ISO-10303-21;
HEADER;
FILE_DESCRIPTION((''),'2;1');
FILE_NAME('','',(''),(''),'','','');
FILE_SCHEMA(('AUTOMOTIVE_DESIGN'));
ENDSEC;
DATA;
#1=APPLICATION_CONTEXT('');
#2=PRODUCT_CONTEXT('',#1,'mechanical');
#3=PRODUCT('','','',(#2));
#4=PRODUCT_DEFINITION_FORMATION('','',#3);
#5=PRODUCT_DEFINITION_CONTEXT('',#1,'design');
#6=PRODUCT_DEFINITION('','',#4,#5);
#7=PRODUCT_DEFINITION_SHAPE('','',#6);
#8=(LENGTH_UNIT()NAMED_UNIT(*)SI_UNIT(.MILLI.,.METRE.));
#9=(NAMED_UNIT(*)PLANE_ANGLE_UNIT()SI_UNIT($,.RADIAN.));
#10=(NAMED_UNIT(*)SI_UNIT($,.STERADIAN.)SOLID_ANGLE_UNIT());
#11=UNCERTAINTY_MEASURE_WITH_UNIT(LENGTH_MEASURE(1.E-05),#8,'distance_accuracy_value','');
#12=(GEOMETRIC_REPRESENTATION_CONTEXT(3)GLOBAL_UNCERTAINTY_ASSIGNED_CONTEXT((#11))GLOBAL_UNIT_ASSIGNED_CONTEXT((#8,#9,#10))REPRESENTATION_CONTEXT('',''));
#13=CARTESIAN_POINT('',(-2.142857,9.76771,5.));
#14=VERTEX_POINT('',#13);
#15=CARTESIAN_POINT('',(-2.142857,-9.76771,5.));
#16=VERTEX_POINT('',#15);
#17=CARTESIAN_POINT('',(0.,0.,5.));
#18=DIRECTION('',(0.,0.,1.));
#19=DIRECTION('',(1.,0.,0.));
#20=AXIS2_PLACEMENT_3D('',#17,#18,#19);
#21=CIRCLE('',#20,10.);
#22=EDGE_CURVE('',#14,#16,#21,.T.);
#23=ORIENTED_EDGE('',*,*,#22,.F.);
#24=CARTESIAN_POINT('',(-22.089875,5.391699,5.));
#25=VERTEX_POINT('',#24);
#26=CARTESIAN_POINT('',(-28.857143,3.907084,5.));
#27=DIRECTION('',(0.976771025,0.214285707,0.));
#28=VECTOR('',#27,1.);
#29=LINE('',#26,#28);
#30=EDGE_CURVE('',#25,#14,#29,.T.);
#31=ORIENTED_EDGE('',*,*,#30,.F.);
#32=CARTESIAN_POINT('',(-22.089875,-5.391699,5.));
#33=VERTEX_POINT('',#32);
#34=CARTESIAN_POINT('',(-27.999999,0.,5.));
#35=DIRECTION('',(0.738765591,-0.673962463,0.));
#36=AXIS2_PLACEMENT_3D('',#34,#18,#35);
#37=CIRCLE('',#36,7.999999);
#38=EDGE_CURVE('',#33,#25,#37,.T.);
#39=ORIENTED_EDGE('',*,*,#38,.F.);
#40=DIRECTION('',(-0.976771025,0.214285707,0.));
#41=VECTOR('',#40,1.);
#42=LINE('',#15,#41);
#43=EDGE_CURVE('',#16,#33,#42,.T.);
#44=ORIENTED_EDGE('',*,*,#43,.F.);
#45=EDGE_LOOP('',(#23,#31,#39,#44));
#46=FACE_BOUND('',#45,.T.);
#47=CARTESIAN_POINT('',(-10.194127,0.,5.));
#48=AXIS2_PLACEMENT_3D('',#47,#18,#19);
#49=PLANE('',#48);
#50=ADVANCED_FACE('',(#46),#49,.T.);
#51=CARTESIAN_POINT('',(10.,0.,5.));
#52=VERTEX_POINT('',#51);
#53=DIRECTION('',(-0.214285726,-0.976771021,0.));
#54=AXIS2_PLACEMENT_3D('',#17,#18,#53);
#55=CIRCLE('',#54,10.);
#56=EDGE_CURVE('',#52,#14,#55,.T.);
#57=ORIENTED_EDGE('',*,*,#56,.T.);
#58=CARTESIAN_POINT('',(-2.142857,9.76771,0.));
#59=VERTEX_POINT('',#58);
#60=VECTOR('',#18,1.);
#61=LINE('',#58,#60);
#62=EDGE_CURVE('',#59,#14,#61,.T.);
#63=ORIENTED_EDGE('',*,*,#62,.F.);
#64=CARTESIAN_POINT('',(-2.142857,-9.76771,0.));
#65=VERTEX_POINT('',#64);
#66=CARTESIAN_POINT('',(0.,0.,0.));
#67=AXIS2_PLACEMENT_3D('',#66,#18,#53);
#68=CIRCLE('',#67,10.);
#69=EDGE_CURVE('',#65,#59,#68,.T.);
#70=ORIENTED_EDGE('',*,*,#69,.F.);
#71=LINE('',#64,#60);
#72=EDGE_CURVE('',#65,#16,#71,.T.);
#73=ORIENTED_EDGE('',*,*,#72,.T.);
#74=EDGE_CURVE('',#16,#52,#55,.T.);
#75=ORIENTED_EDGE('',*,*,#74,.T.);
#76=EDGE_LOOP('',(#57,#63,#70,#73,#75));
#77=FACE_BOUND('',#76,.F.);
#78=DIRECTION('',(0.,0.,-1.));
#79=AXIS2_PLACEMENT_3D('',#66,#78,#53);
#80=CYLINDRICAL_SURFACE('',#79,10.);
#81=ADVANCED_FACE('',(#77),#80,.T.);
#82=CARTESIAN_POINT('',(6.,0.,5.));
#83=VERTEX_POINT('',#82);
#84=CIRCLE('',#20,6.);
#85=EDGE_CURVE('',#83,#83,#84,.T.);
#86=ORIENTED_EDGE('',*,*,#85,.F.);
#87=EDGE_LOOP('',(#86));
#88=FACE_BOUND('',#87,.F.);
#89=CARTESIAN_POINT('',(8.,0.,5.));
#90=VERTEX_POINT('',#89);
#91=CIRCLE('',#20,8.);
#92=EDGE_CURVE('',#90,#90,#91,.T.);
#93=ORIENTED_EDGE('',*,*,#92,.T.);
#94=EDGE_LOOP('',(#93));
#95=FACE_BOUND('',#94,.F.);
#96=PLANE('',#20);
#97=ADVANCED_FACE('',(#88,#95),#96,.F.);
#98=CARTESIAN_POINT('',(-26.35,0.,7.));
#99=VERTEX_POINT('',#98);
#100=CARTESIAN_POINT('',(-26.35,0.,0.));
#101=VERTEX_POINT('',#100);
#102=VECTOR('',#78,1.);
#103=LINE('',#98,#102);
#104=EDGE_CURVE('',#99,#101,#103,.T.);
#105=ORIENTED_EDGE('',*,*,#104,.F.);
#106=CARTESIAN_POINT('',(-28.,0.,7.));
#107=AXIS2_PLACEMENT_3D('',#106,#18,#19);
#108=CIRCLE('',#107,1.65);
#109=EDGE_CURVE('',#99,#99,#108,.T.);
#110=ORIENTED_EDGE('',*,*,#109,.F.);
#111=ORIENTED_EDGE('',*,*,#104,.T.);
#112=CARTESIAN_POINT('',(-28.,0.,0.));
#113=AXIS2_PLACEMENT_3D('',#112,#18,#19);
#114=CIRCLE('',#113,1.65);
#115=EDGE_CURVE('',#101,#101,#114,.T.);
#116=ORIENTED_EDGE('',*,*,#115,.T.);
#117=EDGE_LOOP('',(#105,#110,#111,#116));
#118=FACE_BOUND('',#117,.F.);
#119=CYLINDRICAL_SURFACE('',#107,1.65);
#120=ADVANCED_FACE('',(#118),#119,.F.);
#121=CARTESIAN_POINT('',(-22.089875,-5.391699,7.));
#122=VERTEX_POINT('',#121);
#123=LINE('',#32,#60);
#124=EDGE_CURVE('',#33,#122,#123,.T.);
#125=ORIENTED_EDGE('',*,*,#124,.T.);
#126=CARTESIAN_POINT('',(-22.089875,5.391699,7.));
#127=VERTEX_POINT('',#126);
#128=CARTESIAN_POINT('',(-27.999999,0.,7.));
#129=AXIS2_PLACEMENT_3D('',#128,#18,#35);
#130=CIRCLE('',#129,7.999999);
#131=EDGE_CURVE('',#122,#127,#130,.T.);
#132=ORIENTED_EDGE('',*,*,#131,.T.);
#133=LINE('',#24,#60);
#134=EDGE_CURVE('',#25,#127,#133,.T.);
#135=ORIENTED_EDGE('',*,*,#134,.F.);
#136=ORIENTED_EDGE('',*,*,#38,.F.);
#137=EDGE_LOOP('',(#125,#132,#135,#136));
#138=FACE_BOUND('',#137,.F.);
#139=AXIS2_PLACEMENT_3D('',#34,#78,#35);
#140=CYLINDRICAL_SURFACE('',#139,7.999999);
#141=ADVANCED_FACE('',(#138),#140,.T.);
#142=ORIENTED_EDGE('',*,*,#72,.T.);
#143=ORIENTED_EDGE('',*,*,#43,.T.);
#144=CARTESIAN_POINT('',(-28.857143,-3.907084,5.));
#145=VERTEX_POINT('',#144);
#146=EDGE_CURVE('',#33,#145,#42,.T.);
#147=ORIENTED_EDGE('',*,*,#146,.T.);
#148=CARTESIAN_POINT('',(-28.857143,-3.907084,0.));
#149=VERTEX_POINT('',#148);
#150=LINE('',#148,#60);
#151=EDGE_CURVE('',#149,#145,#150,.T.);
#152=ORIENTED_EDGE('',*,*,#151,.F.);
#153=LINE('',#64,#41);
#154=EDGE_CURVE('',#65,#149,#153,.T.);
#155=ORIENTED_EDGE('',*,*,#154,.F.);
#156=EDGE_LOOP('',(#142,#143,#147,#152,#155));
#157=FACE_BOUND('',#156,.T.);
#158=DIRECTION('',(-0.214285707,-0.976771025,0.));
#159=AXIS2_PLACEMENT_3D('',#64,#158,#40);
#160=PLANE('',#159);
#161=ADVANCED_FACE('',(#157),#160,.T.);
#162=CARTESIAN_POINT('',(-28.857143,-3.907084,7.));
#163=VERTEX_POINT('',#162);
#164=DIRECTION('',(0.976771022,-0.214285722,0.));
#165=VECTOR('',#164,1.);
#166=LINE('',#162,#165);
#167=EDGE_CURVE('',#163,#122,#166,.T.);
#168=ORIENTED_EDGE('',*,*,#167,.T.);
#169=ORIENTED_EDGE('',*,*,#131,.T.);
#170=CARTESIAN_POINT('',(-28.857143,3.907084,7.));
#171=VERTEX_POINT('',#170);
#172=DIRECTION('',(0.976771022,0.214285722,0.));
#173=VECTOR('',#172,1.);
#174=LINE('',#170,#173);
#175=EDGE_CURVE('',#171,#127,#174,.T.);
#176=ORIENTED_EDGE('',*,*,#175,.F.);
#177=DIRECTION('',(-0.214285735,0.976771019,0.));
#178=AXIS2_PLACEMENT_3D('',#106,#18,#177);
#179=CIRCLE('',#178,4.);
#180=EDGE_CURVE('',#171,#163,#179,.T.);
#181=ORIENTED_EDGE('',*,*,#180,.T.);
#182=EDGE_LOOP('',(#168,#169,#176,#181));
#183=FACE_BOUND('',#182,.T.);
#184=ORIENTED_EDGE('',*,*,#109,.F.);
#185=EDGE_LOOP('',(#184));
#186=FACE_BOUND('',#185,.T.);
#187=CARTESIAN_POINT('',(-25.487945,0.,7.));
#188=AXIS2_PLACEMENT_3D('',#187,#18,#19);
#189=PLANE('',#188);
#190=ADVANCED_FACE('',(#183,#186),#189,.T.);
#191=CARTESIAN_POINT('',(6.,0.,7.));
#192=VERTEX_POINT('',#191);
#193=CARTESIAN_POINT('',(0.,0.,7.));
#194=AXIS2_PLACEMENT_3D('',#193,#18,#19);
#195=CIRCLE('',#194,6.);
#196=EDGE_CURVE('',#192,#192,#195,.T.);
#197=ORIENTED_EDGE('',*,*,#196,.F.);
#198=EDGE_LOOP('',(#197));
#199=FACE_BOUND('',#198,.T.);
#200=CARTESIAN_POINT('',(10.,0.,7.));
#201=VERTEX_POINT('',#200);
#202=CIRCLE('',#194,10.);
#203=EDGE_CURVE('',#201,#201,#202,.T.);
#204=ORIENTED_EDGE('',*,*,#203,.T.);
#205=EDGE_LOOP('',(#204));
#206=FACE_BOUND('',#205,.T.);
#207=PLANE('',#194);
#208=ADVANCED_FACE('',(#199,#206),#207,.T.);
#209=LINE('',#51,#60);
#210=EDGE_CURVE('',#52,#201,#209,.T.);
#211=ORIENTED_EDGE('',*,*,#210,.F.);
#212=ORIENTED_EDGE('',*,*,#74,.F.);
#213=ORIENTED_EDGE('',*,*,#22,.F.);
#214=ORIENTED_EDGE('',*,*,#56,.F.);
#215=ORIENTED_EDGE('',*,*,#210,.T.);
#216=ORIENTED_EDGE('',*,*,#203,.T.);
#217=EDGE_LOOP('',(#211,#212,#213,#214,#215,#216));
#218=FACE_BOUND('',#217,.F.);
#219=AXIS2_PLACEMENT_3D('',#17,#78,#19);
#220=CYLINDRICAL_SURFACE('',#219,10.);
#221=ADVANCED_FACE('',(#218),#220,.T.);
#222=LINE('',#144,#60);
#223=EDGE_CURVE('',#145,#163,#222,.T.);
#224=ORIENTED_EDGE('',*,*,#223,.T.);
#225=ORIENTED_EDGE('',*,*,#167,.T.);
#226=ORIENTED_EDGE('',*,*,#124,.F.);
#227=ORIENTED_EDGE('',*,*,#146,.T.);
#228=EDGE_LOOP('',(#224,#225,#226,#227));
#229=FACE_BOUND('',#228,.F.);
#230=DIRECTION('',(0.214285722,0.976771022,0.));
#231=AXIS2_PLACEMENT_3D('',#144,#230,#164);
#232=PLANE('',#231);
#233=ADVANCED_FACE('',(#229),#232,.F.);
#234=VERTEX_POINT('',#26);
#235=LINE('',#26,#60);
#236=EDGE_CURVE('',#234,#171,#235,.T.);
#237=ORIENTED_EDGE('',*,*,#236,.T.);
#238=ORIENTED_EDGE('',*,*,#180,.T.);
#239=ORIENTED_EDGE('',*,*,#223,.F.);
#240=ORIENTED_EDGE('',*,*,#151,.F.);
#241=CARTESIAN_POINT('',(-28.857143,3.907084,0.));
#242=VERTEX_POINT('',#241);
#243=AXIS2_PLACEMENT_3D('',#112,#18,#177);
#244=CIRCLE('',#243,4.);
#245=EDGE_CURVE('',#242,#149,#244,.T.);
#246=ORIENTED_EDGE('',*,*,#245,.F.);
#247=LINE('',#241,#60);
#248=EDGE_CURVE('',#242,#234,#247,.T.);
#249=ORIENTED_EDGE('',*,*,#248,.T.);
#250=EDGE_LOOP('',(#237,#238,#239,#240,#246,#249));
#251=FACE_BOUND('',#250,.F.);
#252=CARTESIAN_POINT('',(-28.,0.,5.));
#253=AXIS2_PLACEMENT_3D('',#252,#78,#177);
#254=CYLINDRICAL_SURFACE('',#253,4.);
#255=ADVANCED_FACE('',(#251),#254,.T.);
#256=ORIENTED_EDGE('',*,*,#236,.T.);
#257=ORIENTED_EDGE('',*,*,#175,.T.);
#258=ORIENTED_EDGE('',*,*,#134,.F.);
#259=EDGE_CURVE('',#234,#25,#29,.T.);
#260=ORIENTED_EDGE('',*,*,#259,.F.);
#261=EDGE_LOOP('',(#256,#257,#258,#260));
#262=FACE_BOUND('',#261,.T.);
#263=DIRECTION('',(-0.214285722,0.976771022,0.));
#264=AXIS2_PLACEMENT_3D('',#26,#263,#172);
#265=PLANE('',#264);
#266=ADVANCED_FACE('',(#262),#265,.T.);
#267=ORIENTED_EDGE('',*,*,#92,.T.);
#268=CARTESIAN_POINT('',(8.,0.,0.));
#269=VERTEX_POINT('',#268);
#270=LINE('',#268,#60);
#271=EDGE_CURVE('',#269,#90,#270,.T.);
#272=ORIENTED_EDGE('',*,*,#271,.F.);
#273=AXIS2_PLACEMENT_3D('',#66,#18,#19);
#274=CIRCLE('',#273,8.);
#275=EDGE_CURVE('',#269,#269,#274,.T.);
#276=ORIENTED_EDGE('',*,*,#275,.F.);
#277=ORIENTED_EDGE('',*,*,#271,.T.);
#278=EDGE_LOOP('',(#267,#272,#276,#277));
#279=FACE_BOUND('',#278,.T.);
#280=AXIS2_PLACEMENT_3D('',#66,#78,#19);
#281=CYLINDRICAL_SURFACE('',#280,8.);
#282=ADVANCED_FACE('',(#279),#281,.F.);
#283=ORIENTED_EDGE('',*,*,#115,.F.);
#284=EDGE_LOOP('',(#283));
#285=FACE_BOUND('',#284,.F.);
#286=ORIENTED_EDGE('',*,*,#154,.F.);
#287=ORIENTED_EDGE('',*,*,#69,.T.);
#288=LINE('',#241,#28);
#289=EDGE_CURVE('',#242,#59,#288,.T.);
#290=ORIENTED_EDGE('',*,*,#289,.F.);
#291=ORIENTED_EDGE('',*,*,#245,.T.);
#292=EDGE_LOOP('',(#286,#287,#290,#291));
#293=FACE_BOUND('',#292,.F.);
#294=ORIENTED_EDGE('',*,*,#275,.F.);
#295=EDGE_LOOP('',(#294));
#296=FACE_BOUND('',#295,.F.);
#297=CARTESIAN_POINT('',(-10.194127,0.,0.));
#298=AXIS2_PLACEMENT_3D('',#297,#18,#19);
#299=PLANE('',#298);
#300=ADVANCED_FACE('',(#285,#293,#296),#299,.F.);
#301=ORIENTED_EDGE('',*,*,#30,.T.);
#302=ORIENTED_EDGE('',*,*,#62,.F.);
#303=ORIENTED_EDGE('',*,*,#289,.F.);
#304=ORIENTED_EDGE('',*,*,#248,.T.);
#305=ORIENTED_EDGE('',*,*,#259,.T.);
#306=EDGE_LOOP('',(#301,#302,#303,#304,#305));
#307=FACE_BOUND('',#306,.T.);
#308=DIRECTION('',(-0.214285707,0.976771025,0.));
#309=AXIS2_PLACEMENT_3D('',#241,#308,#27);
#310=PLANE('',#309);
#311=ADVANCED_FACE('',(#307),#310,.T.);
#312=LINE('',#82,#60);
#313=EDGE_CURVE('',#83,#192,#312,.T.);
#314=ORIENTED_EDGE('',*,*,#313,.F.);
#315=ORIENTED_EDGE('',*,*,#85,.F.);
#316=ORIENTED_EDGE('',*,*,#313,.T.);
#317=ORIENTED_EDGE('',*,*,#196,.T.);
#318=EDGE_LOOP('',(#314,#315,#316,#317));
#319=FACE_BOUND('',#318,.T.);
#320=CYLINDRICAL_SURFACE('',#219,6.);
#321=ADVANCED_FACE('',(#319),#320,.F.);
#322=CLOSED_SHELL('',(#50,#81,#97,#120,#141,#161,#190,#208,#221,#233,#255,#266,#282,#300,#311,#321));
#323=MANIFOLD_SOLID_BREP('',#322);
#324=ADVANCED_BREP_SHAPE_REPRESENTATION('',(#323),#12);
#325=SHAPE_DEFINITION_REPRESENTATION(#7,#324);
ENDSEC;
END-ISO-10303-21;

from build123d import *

# Parameters (mm, degrees)
SKETCH_R      = 8
PAD_DEPTH     = 5
SKETCH001_R   = 10
SKETCH001_R_2 = 6
PAD001_DEPTH  = 2
PAD002_DEPTH  = 2
SKETCH003_R   = 1.65
POCKET_DEPTH  = 7.001


with BuildPart() as part:
    # Sketch → Pad (new body)
    with BuildSketch(Plane.XY):
        with BuildLine():
            ThreePointArc((-2.142857, -9.76771), (10, 0), (-2.142857, 9.76771))
            Line((-28.857143, 3.907084), (-2.142857, 9.76771))
            ThreePointArc((-28.857143, 3.907084), (-32, 0), (-28.857143, -3.907084))
            Line((-2.142857, -9.76771), (-28.857143, -3.907084))
        make_face()
        Circle(SKETCH_R, mode=Mode.SUBTRACT)
    extrude(amount=PAD_DEPTH)

    # Sketch001 (on Face7 of Pad) → Pad001 (join)
    with BuildSketch(Plane.XY.offset(5)):
        Circle(SKETCH001_R)
        Circle(SKETCH001_R_2, mode=Mode.SUBTRACT)
    extrude(amount=PAD001_DEPTH)

    # Sketch002 (on Face7 of Pad001) → Pad002 (join)
    with BuildSketch(Plane.XY.offset(5)):
        with BuildLine():
            ThreePointArc((-28.857143, 3.907084), (-32, 0), (-28.857143, -3.907084))
            Line((-28.857143, -3.907084), (-22.089875, -5.391699))
            ThreePointArc((-22.089875, -5.391699), (-20, 0), (-22.089875, 5.391699))
            Line((-28.857143, 3.907084), (-22.089875, 5.391699))
        make_face()
    extrude(amount=PAD002_DEPTH)

    # Sketch003 (on Face14 of Pad002) → Pocket (cut, through all)
    with BuildSketch(Plane.XY.offset(7)):
        with Locations((-28, 0)):
            Circle(SKETCH003_R)
    extrude(amount=-POCKET_DEPTH, mode=Mode.SUBTRACT)


solid = part.part
